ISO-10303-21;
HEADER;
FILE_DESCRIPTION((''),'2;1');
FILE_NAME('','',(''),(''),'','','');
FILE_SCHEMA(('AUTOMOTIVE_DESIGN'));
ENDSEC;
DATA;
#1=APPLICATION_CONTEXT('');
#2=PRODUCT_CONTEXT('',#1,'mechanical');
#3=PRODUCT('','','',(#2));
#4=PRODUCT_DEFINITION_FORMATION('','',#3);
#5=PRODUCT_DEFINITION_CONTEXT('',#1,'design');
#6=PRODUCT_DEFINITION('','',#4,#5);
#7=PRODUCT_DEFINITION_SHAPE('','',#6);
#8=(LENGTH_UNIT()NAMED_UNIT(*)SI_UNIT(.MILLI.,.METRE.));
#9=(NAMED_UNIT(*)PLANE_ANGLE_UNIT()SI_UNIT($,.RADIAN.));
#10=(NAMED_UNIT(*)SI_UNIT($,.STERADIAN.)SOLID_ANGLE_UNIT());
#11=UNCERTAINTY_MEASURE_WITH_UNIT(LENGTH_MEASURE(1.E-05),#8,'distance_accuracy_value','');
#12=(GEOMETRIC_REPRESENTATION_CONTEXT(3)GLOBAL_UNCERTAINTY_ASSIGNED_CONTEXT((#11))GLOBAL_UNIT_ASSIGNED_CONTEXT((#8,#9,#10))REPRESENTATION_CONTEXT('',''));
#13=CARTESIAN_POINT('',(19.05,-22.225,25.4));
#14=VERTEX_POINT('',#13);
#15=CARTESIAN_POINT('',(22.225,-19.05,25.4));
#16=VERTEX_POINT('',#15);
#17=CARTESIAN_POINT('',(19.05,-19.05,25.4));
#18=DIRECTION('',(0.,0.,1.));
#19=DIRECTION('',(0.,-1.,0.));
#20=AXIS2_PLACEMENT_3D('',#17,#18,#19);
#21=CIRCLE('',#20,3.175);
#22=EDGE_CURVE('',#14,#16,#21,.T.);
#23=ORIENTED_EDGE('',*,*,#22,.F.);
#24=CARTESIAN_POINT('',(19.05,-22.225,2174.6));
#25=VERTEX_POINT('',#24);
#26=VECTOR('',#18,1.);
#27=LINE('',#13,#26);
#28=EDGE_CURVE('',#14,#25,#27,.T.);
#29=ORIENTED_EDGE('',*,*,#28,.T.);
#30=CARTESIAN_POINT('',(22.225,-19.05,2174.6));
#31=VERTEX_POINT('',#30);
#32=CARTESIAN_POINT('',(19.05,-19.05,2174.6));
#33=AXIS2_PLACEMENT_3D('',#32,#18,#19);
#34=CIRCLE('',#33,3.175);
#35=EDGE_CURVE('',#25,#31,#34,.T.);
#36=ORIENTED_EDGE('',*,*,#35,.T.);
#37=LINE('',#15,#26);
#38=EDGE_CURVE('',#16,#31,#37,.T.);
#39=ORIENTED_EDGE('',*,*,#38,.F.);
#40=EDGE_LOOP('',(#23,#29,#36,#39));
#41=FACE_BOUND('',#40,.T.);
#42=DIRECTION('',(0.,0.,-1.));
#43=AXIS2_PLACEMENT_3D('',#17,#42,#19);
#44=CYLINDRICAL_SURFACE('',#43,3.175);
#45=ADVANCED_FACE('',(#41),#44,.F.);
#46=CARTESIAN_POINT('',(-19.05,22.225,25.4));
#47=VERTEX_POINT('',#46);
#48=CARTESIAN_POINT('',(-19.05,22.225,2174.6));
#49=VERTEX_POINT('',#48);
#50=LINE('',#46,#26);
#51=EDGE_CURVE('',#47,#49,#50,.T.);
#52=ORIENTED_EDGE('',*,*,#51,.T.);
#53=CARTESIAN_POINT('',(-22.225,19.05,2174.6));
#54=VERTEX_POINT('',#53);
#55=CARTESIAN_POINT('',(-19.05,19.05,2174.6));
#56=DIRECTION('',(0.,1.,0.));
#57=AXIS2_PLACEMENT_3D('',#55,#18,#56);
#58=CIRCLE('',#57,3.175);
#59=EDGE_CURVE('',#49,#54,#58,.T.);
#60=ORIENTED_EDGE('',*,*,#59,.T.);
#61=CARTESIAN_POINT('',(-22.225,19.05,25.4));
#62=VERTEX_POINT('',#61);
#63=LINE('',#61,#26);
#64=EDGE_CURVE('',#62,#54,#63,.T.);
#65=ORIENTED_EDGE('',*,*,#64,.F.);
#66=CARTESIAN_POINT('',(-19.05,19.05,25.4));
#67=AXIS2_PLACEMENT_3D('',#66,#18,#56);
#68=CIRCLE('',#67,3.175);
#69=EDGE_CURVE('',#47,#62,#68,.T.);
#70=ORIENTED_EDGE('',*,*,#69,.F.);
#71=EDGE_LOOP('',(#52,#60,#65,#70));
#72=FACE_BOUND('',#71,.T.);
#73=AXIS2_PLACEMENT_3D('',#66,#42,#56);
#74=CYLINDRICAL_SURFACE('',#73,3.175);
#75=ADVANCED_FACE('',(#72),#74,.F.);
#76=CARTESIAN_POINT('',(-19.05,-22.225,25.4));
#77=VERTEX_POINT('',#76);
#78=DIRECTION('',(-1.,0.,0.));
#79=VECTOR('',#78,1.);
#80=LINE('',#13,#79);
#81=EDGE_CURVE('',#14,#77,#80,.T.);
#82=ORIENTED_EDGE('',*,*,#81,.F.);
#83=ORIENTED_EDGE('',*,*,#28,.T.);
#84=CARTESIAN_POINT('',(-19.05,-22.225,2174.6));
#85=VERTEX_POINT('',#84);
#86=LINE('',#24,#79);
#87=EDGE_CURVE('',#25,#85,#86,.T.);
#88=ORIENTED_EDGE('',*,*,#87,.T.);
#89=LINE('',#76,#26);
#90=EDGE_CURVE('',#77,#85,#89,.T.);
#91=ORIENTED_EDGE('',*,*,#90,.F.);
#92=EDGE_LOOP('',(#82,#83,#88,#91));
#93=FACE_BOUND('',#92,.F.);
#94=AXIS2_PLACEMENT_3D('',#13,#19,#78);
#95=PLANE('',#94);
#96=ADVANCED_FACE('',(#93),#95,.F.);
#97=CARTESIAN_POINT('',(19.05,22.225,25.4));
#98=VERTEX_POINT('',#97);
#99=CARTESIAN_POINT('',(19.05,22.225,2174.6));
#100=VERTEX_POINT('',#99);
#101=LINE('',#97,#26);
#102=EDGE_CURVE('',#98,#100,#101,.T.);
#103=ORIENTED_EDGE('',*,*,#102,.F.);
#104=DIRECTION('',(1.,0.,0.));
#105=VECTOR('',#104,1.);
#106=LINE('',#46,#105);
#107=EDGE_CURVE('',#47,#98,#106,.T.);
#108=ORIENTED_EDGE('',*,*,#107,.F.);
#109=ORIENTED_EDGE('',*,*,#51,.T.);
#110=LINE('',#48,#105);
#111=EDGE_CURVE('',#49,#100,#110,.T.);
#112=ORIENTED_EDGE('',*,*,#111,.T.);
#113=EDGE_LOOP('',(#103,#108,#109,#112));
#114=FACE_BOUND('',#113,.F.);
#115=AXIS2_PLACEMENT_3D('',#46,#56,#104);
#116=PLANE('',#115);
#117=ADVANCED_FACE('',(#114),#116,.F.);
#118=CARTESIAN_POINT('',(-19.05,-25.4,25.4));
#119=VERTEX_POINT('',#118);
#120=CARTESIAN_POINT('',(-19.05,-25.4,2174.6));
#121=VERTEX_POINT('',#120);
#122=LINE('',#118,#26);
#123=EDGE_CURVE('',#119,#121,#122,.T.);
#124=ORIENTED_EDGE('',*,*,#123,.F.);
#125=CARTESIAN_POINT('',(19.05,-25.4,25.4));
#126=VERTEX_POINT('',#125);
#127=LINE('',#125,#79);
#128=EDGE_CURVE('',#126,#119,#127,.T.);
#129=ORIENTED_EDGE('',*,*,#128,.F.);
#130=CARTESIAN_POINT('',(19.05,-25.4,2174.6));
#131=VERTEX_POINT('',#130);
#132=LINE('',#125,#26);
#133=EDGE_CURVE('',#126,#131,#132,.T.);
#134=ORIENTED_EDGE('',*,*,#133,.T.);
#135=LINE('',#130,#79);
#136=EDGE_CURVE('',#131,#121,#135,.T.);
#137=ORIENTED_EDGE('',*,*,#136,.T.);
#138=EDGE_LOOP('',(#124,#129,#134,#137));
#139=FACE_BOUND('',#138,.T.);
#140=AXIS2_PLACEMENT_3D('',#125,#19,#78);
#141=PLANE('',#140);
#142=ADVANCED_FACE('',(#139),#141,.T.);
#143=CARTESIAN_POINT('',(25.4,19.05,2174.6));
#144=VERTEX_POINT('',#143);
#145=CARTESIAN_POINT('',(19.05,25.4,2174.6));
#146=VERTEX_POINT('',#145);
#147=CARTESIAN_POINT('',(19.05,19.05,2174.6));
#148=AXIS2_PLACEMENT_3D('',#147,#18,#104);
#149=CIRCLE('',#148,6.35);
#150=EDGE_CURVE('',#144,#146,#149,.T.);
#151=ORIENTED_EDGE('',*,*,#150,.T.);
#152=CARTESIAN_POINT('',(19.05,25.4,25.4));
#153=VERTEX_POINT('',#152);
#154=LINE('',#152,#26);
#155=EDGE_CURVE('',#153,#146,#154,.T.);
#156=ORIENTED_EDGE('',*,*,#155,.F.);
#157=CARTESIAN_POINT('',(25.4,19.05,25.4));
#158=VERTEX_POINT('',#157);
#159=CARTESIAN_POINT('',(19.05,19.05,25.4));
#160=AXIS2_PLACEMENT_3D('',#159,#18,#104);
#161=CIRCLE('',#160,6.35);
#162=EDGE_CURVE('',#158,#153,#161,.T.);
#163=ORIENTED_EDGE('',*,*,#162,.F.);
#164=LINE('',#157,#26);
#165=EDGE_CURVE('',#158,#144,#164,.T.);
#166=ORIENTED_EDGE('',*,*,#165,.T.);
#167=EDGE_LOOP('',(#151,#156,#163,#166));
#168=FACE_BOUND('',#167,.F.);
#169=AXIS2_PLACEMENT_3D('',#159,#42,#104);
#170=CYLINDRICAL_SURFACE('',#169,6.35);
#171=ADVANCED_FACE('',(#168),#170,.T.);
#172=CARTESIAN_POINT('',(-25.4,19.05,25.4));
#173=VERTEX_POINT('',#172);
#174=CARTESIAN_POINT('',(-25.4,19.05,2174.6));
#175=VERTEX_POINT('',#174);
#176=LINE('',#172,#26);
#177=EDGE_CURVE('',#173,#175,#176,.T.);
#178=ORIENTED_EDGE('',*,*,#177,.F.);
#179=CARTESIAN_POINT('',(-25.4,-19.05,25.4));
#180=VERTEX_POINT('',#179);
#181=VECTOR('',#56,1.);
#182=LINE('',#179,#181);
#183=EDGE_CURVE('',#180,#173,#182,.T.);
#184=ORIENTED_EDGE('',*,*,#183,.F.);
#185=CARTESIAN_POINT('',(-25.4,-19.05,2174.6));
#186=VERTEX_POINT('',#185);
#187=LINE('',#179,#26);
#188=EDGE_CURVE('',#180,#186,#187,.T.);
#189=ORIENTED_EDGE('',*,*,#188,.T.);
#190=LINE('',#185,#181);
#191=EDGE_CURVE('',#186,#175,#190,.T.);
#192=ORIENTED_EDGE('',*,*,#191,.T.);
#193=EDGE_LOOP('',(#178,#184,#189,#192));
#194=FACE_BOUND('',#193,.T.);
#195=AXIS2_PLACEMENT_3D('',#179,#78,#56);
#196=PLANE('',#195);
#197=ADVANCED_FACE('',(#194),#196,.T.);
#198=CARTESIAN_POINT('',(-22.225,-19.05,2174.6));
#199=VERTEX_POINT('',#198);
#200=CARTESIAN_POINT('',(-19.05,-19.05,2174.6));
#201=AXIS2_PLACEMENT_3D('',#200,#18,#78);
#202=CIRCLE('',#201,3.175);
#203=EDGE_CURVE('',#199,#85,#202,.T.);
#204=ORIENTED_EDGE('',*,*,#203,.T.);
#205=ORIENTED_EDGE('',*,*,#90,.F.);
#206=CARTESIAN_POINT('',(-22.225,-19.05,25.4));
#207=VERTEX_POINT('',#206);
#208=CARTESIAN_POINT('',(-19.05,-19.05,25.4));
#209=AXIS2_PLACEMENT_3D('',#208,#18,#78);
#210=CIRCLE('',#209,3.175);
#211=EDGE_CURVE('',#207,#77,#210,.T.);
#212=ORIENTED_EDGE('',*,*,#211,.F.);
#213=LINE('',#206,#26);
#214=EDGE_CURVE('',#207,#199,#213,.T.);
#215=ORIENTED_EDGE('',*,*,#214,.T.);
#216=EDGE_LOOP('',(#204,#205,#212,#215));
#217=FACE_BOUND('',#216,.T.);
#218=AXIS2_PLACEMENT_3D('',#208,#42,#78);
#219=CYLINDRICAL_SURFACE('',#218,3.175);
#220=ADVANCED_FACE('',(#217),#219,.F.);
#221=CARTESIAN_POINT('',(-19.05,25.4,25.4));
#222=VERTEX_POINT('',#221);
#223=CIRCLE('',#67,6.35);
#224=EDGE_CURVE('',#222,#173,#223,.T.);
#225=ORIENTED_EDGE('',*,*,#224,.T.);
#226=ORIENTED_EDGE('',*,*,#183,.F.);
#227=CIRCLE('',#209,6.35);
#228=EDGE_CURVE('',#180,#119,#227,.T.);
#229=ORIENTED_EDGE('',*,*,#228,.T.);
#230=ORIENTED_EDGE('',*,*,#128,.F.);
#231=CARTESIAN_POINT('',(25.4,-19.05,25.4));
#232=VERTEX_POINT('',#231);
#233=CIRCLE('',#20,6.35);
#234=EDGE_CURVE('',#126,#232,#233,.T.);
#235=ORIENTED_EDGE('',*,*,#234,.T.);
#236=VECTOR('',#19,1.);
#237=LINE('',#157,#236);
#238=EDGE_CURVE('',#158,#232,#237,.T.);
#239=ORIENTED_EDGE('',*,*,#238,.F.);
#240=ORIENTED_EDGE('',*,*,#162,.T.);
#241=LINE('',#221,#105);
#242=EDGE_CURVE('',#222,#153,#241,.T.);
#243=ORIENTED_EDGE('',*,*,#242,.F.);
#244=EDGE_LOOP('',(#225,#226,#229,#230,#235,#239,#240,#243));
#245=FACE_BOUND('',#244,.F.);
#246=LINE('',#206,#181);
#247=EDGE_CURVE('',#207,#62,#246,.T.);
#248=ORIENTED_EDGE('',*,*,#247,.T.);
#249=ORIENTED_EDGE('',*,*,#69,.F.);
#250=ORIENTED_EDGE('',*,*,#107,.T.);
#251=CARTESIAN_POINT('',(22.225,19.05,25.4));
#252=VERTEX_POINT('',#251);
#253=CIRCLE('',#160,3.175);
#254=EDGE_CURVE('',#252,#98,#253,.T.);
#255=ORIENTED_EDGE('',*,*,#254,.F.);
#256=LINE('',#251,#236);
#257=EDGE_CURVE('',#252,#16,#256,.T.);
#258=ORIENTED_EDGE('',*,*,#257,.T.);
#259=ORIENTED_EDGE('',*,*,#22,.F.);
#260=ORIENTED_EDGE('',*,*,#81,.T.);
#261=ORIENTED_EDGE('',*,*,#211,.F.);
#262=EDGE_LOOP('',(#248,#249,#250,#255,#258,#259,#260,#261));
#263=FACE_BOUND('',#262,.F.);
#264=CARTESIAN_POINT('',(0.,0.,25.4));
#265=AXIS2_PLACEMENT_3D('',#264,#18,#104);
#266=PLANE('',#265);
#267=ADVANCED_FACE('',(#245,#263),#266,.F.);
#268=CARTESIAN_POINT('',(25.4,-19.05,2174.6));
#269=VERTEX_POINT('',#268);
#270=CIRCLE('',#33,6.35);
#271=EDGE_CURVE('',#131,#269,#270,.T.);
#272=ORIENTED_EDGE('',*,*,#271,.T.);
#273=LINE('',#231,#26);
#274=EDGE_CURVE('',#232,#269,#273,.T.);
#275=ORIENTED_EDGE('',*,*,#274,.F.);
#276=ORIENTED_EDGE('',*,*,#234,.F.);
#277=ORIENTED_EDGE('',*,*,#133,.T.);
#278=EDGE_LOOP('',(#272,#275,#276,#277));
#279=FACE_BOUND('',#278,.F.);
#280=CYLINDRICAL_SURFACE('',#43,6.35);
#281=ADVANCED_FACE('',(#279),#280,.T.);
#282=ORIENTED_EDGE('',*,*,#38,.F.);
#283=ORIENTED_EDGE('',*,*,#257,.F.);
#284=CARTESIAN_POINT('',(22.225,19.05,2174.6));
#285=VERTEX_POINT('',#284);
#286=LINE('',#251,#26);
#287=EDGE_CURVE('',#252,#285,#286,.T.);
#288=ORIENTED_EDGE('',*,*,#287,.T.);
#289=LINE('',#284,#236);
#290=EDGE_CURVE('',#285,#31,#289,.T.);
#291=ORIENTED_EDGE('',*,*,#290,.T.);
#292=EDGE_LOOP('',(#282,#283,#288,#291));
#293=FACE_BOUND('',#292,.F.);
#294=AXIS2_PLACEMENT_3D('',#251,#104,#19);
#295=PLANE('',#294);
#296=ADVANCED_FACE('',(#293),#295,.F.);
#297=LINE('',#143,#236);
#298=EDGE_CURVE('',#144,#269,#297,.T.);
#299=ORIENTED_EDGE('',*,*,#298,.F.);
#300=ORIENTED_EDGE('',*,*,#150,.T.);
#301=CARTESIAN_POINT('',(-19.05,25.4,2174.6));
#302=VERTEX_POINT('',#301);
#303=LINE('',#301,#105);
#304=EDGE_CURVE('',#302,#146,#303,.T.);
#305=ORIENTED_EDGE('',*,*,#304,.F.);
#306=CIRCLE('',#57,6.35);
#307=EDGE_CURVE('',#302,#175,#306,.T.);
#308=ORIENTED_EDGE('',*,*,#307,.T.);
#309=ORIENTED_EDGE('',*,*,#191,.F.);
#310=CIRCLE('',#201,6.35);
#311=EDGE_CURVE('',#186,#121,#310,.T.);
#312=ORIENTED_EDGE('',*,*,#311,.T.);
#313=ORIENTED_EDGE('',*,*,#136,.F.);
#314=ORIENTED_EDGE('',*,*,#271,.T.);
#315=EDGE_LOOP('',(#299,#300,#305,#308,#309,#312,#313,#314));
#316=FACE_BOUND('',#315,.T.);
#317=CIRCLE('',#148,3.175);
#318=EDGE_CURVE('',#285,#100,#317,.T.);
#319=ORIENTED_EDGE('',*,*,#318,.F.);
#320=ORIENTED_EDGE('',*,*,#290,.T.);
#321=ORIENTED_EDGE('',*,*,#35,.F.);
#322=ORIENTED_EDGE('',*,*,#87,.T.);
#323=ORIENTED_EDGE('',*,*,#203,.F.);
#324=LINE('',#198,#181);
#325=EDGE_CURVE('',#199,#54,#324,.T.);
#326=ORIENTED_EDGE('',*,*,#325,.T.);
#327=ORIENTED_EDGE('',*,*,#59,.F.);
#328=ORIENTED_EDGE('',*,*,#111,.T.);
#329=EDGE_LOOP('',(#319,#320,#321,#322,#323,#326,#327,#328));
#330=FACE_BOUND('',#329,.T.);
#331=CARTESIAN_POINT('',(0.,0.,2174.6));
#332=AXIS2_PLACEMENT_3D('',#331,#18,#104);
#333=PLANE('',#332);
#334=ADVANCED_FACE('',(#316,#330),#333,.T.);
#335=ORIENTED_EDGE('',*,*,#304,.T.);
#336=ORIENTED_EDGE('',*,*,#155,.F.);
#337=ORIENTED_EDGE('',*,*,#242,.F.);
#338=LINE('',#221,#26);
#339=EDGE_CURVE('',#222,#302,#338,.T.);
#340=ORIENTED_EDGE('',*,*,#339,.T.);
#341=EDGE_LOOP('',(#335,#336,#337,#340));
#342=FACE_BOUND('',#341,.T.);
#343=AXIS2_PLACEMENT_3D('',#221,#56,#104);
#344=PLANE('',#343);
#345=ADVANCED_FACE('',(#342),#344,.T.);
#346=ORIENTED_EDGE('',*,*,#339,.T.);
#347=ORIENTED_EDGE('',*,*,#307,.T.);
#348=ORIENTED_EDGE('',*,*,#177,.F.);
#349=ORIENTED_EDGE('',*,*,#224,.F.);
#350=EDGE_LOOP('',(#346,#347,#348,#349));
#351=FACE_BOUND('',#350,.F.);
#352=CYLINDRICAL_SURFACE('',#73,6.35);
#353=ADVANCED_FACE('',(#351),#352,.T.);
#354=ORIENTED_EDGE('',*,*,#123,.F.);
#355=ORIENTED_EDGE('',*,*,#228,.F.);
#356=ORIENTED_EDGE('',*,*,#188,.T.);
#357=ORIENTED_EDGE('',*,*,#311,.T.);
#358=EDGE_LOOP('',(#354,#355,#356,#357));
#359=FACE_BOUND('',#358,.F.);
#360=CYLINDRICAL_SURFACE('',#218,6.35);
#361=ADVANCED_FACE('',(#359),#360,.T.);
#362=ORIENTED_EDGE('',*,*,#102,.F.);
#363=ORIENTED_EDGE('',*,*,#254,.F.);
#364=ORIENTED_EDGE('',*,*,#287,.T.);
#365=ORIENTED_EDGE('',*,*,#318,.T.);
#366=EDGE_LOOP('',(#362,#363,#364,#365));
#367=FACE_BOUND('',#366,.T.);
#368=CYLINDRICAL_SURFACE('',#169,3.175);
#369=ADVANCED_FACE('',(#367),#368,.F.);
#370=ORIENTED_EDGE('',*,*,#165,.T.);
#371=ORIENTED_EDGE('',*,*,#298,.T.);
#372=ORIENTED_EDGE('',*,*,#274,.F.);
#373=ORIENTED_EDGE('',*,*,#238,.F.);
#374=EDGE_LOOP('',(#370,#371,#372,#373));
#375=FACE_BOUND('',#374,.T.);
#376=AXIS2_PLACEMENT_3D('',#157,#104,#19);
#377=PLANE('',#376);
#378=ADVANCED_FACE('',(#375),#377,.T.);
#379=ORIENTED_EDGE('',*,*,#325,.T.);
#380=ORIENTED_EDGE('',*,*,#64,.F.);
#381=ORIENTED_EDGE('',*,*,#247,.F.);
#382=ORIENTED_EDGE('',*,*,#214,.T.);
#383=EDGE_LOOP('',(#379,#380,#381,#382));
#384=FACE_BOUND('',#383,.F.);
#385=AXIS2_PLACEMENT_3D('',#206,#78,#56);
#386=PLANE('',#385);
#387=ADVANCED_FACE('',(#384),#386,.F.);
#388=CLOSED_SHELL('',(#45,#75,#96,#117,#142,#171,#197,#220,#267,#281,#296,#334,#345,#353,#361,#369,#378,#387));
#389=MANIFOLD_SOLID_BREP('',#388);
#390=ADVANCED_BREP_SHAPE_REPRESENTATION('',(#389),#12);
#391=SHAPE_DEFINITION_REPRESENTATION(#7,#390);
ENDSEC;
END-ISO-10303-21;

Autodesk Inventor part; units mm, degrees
ref_plane "Plano inicial" through (0, 0, 25.4) normal (0, 0, 1) x (1, 0, 0)
ref_plane "Plano final" through (0, 0, 2174.6) normal (0, 0, 1) x (1, 0, 0)
sketch "Boceto" plane through (0, 0, 0) normal (0, 0, 1) x (1, 0, 0)
  line L0 (-25.4, -19.05) -> (-25.4, 19.05)
  line L1 (-19.05, 25.4) -> (19.05, 25.4)
  line L2 (25.4, 19.05) -> (25.4, -19.05)
  line L3 (19.05, -25.4) -> (-19.05, -25.4)
  arc A0 (-25.4, -19.05) -> (-19.05, -25.4) centre (-19.05, -19.05) ccw
  arc A1 (-19.05, 25.4) -> (-25.4, 19.05) centre (-19.05, 19.05) ccw
  arc A2 (25.4, 19.05) -> (19.05, 25.4) centre (19.05, 19.05) ccw
  arc A3 (19.05, -25.4) -> (25.4, -19.05) centre (19.05, -19.05) ccw
  arc A4 (-19.05, 22.225) -> (-22.225, 19.05) centre (-19.05, 19.05) ccw
  line L4 (-19.05, 22.225) -> (19.05, 22.225)
  arc A5 (22.225, 19.05) -> (19.05, 22.225) centre (19.05, 19.05) ccw
  line L5 (22.225, 19.05) -> (22.225, -19.05)
  arc A6 (19.05, -22.225) -> (22.225, -19.05) centre (19.05, -19.05) ccw
  line L6 (19.05, -22.225) -> (-19.05, -22.225)
  arc A7 (-22.225, -19.05) -> (-19.05, -22.225) centre (-19.05, -19.05) ccw
  line L7 (-22.225, -19.05) -> (-22.225, 19.05)
  line L8 (0, 37.4012) -> (0, -37.4012) construction
  line L9 (-37.4012, 0) -> (37.4012, 0) construction
  dimension "d10" = 50.8
  dimension "d11" = 50.8
  dimension "d12" = 3.175
  dimension "d15" = 25.4
  dimension "d16" = 25.4
  dimension "d17" = 6.35
extrude "Cuerpo" add sketch "Boceto" along normal up to surface (2149.2 mm away) from surface at 25.4
sketch "Sketch3" plane through (0, 0, 0) normal (0, 0, 1) x (1, 0, 0)
  line L0 (0, 0) -> (10, 0)
ref_plane "Work Plane3" through (0, 0, 0) normal (0, -1, 0) x (1, 0, 0)
ref_plane "Plano de trabajo4" through (-2380.95, 0, 2174.6) normal (0, 0, 1) x (1, 0, 0)
split "Dividir1" plane through (-2380.95, 0, 2174.6) removes the side toward (0, 0, 1)
ref_plane "Plano de trabajo5" through (-2400, -19.05, 25.4) normal (0, 0, -1) x (-1, 0, 0)
split "Dividir2" plane through (-2400, -19.05, 25.4) removes the side toward (0, 0, -1)
sketch "Sketch4" plane through (0, 0, 0) normal (0, -1, 0) x (1, 0, 0)
  line L0 (-2, 25.4) -> (12, 25.4) projected
  line L1 (-2, 2174.6) -> (12, 2174.6) projected
  dimension "d19" = 2149.2
equation "\"d10\" = G_H"
equation "\"d11\" = G_W"
equation "\"d12\" = G_T"
equation "\"d15\" = 0.5 * d10"
equation "\"d16\" = 0.5 * d11"
equation "\"d17\" = G_IR"
equation "\"d3\" = G_L"
equation "\"G_W\" = 50.8"
equation "\"G_H\" = 50.8"
equation "\"G_T\" = 3.175"
equation "\"G_IR\" = 6.35"
equation "\"G_L\" = d19"
equation "\"G_OFFSET_START\" = -25.4"
equation "\"G_OFFSET_END\" = -25.4"
equation "\"d13\" = -G_OFFSET_START"
equation "\"d14\" = G_OFFSET_END + B_L"
equation "\"B_L\" = 2200"
properties part number "AISC - 2 x 2 x 1/8 - 84,614" material "Acero, suave"
